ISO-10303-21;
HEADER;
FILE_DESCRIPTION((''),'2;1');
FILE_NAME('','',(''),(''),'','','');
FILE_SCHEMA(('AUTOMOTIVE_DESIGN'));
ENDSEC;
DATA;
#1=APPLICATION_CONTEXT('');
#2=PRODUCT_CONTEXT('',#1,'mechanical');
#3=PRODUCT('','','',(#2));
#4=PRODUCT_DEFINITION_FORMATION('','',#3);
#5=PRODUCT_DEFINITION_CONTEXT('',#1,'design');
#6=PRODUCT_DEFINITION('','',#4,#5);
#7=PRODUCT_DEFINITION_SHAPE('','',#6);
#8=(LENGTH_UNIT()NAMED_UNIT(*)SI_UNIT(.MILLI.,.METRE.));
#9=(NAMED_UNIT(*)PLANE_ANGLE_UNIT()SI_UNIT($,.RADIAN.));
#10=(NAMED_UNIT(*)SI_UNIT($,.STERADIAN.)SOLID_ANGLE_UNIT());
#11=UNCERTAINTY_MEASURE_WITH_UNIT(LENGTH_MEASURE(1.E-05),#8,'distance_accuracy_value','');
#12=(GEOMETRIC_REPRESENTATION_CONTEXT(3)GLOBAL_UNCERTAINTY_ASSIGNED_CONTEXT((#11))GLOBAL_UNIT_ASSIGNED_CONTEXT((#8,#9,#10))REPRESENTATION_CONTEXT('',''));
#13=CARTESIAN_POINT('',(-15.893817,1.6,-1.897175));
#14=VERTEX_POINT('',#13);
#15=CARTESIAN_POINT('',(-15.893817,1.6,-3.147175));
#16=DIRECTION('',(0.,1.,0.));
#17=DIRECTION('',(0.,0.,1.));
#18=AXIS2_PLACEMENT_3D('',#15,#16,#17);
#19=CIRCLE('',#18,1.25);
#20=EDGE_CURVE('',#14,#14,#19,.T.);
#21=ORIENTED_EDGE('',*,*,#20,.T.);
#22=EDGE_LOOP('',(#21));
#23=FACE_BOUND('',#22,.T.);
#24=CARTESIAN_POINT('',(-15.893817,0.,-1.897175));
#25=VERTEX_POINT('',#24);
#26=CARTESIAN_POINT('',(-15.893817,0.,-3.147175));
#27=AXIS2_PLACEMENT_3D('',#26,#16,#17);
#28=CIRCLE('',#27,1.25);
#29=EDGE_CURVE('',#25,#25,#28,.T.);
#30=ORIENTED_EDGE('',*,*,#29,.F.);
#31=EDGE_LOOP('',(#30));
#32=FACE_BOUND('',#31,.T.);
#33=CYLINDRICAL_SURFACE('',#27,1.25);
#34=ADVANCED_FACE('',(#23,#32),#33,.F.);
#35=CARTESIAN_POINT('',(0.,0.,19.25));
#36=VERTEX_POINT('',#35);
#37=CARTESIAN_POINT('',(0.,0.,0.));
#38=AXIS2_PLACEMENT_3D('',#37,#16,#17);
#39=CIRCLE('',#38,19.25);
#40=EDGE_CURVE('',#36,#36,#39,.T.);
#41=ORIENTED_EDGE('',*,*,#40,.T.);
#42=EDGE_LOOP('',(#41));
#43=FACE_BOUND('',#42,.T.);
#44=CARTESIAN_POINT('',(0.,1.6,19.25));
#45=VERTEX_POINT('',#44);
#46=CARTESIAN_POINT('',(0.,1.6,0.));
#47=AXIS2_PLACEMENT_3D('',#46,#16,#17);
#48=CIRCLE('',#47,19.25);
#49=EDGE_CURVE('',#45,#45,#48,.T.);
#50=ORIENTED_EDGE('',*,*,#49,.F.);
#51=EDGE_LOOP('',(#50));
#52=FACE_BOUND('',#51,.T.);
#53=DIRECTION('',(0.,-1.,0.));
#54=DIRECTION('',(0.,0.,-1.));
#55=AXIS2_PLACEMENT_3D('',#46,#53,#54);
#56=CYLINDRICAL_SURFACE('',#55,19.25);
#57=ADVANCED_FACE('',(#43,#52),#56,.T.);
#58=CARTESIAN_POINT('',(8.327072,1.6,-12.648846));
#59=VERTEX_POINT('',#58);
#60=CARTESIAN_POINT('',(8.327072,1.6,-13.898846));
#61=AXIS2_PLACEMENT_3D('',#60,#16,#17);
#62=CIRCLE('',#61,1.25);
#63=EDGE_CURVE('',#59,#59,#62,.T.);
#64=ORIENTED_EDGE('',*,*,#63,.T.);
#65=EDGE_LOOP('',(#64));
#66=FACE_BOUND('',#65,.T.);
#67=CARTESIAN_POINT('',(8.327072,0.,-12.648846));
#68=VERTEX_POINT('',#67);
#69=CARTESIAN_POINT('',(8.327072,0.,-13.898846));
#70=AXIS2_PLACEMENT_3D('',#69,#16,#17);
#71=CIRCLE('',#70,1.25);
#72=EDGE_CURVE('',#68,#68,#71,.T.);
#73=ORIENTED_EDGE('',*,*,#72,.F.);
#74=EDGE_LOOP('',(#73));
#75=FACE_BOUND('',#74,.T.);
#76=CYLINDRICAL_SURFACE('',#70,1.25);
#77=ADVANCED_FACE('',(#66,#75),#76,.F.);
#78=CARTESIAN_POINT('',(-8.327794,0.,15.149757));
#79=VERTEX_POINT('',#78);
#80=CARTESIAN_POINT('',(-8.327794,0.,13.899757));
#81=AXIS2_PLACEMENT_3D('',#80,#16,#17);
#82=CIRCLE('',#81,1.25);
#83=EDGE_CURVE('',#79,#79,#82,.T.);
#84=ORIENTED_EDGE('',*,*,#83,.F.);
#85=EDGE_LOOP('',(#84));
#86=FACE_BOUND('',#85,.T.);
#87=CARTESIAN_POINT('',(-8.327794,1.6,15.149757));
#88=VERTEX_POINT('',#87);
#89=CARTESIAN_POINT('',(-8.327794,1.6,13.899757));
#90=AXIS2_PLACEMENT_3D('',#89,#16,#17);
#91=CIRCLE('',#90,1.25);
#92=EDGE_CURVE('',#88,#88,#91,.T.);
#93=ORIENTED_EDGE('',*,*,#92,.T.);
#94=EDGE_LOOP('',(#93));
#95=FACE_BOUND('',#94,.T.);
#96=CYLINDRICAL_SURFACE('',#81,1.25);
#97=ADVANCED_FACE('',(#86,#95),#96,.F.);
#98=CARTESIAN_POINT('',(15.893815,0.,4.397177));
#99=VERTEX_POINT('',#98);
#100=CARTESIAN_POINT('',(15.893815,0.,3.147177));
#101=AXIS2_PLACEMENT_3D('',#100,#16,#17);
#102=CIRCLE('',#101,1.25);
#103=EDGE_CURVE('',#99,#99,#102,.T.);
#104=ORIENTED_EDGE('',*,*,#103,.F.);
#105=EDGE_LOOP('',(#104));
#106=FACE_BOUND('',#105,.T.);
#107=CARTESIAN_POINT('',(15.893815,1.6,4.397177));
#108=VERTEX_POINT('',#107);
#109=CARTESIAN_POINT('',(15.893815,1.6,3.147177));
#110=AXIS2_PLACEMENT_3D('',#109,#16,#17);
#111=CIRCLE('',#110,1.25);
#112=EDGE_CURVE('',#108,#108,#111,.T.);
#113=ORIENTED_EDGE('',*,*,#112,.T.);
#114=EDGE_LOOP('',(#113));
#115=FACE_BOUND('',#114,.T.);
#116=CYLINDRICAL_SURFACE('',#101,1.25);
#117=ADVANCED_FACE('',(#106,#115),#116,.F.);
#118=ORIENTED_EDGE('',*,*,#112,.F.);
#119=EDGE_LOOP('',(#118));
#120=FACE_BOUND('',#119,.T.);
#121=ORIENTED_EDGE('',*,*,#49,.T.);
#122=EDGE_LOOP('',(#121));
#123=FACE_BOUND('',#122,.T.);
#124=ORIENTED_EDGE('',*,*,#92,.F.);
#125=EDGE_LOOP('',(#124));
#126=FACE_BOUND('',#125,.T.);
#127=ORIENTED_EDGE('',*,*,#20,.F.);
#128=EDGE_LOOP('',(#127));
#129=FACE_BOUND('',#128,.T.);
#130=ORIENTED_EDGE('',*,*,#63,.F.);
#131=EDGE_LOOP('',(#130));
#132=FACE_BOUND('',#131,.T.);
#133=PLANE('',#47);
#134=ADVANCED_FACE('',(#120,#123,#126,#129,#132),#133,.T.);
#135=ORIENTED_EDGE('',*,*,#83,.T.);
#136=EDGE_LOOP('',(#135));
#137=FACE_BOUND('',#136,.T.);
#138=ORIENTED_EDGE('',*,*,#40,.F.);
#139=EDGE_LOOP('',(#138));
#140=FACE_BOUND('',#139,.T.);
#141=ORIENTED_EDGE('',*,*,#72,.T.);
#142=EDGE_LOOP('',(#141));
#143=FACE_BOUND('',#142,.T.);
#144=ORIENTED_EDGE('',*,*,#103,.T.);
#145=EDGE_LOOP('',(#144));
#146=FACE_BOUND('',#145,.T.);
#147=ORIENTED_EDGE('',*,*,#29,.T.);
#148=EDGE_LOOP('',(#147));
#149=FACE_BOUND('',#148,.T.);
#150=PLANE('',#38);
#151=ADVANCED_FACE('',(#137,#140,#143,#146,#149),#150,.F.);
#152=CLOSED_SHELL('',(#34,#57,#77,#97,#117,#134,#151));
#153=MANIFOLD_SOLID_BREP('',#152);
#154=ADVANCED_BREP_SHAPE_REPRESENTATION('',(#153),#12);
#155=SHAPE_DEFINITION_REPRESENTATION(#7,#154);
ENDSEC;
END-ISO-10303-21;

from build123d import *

# Parameters (mm, degrees)
SKETCH1_R           = 19.25
BOSS_EXTRUDE1_DEPTH = 1.6
SKETCH3_R           = 1.25
CUT_EXTRUDE1_DEPTH  = 2.6


with BuildPart() as part:
    # Sketch1 → Boss-Extrude1 (new body)
    with BuildSketch(Plane(origin=(0, 0, 0), x_dir=(1, 0, 0), z_dir=(0, 1, 0))):
        Circle(SKETCH1_R)
    extrude(amount=BOSS_EXTRUDE1_DEPTH)

    # Sketch3 → Cut-Extrude1 (cut, through all)
    with BuildSketch(Plane(origin=(0, 1.6, 0), x_dir=(1, 0, 0), z_dir=(0, 1, 0))):
        with Locations((-15.893816823, 3.147175209)):
            Circle(SKETCH3_R)
        with Locations((8.327072013, 13.89884612)):
            Circle(SKETCH3_R)
        with Locations((15.893815137, -3.147176833)):
            Circle(SKETCH3_R)
        with Locations((-8.327794091, -13.899757036)):
            Circle(SKETCH3_R)
    extrude(amount=-CUT_EXTRUDE1_DEPTH, mode=Mode.SUBTRACT)


solid = part.part
